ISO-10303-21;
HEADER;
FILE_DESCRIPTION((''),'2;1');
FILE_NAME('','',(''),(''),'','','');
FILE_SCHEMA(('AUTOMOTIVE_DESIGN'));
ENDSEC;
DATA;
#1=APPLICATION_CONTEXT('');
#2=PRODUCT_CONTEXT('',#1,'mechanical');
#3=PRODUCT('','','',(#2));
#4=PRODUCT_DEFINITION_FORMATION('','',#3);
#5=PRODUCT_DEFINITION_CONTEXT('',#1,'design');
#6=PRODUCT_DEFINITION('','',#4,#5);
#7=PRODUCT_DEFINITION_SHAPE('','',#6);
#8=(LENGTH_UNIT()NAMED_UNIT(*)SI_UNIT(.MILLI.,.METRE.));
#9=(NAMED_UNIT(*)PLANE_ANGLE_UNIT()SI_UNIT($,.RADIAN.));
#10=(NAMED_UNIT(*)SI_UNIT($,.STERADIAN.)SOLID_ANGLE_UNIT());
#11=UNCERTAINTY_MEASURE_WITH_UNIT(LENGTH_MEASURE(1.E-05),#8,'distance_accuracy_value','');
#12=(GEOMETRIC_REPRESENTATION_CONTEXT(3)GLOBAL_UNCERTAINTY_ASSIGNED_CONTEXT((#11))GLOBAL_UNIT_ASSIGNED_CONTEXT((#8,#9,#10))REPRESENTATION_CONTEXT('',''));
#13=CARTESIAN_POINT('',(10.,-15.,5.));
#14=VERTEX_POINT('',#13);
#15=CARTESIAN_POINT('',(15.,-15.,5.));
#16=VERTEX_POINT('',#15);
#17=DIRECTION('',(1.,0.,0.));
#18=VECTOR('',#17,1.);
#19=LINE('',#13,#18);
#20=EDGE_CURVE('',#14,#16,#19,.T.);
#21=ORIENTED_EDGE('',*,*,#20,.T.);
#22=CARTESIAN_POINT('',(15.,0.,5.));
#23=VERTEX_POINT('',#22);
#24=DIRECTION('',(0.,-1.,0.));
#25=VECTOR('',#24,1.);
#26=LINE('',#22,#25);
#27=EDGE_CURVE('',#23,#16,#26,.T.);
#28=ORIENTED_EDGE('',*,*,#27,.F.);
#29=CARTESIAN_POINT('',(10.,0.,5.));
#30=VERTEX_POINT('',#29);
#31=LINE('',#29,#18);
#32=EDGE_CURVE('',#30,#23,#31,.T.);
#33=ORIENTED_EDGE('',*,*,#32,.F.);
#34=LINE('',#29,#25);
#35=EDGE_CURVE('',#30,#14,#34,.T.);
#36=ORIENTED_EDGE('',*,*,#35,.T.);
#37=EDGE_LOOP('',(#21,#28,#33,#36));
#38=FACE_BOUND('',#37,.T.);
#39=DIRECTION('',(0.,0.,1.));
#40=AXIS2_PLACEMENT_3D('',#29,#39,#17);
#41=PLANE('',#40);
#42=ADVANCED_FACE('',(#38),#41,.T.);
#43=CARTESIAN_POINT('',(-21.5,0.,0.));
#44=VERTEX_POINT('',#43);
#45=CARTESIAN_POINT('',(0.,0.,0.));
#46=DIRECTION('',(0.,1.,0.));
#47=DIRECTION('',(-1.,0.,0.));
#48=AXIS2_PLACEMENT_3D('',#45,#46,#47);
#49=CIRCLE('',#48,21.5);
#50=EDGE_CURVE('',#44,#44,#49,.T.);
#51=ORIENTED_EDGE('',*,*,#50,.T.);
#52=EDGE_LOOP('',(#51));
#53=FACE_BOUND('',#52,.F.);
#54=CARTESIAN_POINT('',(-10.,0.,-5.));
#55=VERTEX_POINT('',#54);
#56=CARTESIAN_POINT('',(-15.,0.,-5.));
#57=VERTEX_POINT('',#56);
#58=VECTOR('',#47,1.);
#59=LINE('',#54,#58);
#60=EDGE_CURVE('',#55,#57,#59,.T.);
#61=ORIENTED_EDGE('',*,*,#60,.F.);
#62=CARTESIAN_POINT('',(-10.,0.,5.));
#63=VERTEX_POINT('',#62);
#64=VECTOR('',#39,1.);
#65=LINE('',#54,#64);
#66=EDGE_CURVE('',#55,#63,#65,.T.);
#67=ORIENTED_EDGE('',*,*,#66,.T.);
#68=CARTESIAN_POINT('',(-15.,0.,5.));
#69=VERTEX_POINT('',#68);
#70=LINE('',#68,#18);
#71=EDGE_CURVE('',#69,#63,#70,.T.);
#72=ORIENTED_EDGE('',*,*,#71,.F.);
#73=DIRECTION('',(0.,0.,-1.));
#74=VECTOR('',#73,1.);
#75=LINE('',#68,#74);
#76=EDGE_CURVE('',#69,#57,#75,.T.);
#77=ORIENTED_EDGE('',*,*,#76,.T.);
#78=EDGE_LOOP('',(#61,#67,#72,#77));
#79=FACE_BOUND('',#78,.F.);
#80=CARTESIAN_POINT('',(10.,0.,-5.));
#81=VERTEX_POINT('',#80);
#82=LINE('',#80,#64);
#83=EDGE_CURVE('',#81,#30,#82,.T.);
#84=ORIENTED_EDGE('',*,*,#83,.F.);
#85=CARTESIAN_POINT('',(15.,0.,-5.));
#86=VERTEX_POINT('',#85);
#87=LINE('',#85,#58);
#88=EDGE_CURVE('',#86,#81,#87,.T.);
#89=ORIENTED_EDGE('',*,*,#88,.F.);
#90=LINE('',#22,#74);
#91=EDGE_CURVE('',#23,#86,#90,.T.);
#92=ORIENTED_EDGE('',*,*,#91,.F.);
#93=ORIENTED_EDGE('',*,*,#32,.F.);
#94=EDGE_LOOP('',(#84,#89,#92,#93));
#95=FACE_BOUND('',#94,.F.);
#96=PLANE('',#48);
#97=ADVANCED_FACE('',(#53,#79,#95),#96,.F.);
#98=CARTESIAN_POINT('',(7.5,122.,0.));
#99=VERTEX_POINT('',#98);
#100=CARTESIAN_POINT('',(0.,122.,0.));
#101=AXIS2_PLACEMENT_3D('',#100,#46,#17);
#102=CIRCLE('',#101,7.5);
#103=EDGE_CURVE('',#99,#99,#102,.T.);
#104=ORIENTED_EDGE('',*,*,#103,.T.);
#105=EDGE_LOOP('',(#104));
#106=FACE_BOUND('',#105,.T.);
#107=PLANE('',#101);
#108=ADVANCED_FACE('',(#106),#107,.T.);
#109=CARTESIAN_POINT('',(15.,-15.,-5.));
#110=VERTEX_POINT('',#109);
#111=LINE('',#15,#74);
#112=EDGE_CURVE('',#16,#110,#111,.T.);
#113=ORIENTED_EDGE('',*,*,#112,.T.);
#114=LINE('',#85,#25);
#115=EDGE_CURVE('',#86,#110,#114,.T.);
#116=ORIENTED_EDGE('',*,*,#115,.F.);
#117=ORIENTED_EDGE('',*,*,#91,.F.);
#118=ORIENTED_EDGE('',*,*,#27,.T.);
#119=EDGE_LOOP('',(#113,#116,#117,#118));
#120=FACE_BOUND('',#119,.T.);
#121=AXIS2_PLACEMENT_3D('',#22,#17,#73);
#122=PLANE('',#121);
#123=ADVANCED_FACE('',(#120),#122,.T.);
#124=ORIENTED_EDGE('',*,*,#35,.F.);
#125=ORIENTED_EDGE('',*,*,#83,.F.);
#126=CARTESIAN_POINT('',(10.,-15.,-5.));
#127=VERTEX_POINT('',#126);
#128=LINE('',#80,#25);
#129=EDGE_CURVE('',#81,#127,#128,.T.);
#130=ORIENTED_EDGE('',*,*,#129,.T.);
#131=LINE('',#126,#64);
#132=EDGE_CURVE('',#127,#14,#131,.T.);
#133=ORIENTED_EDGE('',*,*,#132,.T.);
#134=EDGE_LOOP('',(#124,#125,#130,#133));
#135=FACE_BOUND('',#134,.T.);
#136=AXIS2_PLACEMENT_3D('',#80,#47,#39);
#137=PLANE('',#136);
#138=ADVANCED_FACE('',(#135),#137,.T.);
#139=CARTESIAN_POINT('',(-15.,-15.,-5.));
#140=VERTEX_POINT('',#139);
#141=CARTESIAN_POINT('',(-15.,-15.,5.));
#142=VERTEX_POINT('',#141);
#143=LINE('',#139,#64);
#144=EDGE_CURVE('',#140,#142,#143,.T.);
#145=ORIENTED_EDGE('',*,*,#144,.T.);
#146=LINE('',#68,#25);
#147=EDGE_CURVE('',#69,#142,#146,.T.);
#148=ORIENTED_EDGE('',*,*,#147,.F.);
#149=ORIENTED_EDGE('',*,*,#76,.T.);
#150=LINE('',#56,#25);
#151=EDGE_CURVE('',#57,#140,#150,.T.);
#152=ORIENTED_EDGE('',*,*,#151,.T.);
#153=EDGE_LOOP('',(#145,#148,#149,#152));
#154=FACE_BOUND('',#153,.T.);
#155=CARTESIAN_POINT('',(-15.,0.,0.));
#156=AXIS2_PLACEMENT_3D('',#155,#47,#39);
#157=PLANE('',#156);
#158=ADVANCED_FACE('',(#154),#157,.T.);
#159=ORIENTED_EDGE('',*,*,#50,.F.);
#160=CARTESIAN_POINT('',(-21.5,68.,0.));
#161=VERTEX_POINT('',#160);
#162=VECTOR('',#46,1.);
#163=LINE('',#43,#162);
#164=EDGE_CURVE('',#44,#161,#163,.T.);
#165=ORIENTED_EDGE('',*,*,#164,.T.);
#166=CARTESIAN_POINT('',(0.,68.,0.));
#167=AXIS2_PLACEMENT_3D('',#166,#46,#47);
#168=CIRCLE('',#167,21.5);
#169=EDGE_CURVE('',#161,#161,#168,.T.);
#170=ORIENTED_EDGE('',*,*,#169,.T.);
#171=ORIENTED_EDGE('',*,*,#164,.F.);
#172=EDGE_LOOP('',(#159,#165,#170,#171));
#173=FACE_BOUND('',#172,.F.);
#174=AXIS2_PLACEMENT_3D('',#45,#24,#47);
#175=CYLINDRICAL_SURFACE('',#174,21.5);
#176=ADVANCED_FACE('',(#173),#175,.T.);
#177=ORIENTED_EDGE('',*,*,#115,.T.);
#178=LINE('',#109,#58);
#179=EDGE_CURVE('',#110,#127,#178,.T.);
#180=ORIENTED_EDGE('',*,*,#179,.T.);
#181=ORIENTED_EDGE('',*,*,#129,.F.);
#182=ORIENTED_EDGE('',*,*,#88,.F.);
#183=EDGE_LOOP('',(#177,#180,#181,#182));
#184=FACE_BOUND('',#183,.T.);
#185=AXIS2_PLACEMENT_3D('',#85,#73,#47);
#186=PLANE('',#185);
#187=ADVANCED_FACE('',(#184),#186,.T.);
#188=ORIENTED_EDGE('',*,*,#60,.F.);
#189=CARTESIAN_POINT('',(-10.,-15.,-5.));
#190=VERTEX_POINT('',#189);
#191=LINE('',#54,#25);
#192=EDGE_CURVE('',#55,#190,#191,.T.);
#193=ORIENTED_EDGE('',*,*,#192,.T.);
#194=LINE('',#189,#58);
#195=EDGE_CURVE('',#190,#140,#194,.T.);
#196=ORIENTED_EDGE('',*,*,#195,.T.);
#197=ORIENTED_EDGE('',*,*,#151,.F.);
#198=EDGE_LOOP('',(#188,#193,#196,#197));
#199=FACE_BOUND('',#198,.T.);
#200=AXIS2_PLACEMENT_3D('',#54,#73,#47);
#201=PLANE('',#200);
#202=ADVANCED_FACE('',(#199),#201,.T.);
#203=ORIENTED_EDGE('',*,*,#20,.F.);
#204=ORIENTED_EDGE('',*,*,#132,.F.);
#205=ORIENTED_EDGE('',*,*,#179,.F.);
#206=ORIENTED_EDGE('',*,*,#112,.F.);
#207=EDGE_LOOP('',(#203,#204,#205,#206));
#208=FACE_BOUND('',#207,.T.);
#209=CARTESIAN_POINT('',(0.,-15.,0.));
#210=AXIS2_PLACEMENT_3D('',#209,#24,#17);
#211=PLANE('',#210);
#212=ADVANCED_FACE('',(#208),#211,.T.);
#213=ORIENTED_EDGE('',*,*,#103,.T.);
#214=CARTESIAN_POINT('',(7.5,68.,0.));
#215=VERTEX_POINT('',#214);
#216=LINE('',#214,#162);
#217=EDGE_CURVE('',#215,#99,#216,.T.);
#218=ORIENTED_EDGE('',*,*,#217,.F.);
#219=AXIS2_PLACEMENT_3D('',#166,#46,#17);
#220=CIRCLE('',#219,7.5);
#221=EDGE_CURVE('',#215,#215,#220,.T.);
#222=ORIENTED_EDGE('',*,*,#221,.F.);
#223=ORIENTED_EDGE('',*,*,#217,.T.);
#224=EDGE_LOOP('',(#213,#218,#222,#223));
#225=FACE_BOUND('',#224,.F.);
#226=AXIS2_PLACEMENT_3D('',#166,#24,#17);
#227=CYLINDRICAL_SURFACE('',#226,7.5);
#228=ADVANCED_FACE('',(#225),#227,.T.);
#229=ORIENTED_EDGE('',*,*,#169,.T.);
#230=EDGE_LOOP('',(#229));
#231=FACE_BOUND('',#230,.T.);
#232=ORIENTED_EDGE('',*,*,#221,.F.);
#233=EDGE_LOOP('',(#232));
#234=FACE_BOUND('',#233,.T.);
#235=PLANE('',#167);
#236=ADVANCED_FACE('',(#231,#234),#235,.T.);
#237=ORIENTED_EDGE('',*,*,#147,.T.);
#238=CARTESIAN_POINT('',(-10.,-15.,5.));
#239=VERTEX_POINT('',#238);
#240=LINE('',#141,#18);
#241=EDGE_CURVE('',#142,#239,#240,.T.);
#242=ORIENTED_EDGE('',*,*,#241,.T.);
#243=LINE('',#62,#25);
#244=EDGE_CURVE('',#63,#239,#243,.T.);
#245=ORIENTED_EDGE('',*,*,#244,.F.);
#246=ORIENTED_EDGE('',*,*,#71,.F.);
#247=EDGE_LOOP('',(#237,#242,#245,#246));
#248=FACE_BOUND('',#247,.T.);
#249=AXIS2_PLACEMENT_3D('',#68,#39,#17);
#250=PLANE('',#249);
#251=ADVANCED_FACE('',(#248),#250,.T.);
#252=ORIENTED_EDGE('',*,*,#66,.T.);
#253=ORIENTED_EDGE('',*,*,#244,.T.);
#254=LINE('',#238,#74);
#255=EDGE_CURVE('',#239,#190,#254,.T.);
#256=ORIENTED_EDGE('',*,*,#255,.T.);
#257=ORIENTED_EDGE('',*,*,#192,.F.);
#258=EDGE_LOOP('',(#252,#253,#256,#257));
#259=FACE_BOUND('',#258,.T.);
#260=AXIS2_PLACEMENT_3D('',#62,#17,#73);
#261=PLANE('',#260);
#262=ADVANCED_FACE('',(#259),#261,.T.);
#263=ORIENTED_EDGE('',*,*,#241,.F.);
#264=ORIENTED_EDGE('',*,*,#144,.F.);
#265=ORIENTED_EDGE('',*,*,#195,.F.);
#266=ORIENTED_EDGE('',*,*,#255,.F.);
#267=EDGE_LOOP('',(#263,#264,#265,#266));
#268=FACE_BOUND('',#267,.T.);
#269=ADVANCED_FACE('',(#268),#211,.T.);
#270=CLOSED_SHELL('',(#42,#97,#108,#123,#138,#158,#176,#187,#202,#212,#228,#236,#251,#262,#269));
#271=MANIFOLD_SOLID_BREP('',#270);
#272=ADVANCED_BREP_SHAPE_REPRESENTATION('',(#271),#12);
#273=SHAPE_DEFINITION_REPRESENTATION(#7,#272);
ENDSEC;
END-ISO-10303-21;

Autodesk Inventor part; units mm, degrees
ref_plane "YZ Plane" through (0, 0, 0) normal (1, 0, 0) x (0, 1, 0)
ref_plane "XZ Plane" through (0, 0, 0) normal (0, 1, 0) x (-1, 0, 0)
ref_plane "XY Plane" through (0, 0, 0) normal (0, 0, 1) x (1, 0, 0)
sketch "Sketch1" plane through (0, 0, 0) normal (0, 1, 0) x (-1, 0, 0)
  circle A0 centre (0, 0) radius 21.5
  dimension "d0" = 43
extrude "Extrusion1" add sketch "Sketch1" along normal blind 68
sketch "Sketch2" plane through (0, 68, 0) normal (0, 1, 0) x (1, 0, 0)
  circle A0 centre (0, 0) radius 7.5
  dimension "d3" = 15
extrude "Extrusion2" add sketch "Sketch2" along normal blind 54
sketch "Sketch3" plane through (0, 0, 0) normal (0, -1, 0) x (1, 0, 0)
  line L0 (-15, 5) -> (-10, 5)
  line L1 (-10, 5) -> (-10, -5)
  line L2 (-10, -5) -> (-15, -5)
  line L3 (-15, -5) -> (-15, 5)
  line L4 (10, 5) -> (15, 5)
  line L5 (15, 5) -> (15, -5)
  line L6 (15, -5) -> (10, -5)
  line L7 (10, -5) -> (10, 5)
  line L8 (0, 0) -> (-29.5746, 0)
  circle A0 centre (0, 0) radius 7.5 projected
  line L9 (0, 0) -> (0, 33.0968)
  dimension "d6" = 10
  dimension "d7" = 5
  dimension "d8" = 20
extrude "Extrusion3" add sketch "Sketch3" along normal blind 15 contours L0 L1 L8 L3 | L8 L1 L2 L3 | L4 L5 L6 L7
properties part number "Dremel motor"
